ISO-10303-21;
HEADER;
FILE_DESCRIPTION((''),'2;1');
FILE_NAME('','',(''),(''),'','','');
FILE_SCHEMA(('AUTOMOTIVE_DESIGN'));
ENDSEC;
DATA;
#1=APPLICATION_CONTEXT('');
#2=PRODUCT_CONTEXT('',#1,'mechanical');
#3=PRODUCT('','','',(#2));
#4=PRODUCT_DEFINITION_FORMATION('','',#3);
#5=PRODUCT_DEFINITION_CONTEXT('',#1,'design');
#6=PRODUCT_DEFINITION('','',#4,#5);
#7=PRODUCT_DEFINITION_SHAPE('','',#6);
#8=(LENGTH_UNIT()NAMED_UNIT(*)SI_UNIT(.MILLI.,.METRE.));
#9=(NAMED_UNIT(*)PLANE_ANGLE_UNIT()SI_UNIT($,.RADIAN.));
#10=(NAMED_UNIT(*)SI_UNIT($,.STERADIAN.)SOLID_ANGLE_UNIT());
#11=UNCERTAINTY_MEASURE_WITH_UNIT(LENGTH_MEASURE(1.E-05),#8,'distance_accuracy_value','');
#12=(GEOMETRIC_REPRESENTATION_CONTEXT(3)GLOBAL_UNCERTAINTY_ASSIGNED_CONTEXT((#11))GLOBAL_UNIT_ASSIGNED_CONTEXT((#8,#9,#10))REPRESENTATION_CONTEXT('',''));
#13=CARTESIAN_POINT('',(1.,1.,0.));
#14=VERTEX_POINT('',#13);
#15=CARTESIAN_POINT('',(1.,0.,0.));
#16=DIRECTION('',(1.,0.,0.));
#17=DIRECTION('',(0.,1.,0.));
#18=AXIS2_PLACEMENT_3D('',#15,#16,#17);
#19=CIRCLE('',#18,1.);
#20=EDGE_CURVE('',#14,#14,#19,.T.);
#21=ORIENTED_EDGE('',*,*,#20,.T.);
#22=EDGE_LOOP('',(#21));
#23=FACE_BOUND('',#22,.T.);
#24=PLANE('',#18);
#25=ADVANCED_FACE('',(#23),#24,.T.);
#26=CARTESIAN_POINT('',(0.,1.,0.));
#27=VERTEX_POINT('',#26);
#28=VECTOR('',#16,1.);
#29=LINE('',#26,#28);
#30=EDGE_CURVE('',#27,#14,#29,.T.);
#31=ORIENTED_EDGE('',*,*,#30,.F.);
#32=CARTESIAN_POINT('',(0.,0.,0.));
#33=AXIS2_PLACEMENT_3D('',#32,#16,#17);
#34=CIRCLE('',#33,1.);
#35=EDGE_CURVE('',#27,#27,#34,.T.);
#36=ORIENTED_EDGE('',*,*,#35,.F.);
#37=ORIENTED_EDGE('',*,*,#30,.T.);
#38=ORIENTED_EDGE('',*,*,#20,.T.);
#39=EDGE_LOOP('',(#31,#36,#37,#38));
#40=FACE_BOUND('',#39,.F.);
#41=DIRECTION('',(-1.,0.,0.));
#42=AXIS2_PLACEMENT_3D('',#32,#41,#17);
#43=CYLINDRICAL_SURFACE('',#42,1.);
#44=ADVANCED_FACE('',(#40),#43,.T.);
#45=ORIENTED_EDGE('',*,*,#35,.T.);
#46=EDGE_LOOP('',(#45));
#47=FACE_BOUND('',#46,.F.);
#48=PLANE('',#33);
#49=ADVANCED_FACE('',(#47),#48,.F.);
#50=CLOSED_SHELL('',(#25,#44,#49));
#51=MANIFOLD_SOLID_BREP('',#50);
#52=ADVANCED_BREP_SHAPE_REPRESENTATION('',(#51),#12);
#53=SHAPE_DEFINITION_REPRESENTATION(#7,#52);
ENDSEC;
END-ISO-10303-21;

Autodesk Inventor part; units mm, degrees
ref_plane "YZ Plane" through (0, 0, 0) normal (1, 0, 0) x (0, 1, 0)
ref_plane "XZ Plane" through (0, 0, 0) normal (0, 1, 0) x (-1, 0, 0)
ref_plane "XY Plane" through (0, 0, 0) normal (0, 0, 1) x (1, 0, 0)
sketch "Sketch1" plane through (0, 0, 0) normal (1, 0, 0) x (0, 1, 0)
  circle A0 centre (0, 0) radius 1
  dimension "d0" = 2
extrude "Extrusion1" add sketch "Sketch1" along normal blind 1
properties part number "micro_magnets_2mm1mm"
